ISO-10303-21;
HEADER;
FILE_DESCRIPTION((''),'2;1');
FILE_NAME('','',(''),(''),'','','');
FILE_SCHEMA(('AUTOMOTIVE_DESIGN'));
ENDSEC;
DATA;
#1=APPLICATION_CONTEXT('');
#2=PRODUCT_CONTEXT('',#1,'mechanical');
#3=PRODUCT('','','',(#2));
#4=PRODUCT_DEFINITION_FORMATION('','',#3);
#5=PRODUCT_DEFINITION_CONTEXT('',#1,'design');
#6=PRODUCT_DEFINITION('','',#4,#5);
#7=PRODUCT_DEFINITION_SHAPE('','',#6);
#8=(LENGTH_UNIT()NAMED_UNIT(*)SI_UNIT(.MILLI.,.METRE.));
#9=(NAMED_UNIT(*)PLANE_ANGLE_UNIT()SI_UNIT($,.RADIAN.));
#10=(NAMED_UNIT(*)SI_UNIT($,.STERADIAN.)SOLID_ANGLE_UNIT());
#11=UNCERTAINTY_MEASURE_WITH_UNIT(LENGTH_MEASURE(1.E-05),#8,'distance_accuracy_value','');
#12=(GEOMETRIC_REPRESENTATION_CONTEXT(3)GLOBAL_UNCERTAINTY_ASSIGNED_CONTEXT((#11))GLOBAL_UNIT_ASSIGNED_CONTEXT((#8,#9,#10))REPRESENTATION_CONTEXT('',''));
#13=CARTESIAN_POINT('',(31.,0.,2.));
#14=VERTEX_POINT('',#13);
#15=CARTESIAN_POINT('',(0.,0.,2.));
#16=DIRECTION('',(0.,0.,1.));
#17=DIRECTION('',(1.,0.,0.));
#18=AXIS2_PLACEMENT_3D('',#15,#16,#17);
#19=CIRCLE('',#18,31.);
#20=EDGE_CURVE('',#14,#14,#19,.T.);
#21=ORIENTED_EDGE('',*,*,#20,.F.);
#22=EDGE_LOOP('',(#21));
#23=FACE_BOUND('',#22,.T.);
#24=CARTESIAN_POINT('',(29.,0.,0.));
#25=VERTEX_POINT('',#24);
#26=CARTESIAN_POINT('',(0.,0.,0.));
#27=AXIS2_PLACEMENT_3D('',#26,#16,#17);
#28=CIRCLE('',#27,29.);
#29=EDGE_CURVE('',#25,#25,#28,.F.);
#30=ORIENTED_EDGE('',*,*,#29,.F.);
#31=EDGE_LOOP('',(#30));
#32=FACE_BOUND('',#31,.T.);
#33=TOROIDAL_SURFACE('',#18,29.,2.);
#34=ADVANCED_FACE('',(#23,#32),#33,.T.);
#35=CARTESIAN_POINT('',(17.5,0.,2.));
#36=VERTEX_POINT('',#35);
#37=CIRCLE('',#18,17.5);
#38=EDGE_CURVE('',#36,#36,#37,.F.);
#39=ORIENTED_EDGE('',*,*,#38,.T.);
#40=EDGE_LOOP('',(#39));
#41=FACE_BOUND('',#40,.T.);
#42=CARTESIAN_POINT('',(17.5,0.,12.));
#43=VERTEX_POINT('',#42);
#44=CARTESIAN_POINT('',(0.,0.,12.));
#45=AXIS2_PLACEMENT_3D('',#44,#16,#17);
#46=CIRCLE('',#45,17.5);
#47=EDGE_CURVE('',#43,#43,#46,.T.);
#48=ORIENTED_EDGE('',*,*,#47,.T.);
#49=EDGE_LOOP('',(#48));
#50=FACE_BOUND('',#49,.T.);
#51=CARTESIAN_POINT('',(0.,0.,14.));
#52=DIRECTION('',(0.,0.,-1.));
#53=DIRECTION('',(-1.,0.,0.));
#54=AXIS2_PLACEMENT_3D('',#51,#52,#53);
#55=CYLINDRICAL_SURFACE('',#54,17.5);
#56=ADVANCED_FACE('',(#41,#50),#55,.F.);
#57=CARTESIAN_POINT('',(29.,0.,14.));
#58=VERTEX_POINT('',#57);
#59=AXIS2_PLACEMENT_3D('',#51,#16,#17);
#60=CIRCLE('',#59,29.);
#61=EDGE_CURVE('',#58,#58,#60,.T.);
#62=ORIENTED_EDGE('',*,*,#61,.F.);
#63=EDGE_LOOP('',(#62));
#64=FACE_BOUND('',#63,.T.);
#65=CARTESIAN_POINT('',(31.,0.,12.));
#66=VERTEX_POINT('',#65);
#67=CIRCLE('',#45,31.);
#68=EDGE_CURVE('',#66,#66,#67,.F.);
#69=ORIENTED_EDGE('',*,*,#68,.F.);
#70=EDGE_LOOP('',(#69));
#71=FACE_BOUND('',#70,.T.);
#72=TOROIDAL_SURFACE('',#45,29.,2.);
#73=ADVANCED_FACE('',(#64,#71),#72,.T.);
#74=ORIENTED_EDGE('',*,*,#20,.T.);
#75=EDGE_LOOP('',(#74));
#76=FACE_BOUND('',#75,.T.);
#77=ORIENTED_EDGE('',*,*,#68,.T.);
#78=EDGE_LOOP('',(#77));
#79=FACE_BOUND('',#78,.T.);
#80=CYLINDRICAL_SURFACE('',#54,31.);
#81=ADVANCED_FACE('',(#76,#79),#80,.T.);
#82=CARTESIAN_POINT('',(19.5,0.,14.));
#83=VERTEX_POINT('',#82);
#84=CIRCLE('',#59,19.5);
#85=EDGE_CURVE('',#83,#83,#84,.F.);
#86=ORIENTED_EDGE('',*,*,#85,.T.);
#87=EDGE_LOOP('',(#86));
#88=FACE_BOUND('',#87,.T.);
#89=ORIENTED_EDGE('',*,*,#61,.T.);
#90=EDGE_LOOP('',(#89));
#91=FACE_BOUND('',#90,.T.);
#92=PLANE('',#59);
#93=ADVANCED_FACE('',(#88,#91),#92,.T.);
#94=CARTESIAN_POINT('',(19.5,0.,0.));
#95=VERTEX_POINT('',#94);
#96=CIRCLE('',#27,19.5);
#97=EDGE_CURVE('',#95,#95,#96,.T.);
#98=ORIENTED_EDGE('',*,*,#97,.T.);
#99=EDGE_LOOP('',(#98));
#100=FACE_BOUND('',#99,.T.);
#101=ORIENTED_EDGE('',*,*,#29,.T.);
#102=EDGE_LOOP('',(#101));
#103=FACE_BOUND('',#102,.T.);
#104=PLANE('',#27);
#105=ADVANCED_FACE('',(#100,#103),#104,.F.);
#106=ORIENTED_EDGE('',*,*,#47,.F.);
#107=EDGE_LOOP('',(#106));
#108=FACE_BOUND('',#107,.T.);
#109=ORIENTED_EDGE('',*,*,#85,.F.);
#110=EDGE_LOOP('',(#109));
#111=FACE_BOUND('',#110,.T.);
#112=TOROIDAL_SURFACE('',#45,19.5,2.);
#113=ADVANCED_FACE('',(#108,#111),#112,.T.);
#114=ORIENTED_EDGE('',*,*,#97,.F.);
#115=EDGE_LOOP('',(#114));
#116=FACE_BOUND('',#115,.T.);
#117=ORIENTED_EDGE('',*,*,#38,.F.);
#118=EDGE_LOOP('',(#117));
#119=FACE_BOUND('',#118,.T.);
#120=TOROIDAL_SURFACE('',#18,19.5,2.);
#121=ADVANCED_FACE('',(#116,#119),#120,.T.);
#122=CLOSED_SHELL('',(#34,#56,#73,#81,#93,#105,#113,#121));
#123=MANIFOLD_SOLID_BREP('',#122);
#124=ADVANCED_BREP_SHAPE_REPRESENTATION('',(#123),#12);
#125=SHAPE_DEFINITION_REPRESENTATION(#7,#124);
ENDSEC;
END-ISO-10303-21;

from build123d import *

# Parameters (mm, degrees)
SKETCH_1_R      = 31
SKETCH_1_R_2    = 17.5
EXTRUDE_1_DEPTH = 14
FILLET_2_R      = 2


with BuildPart() as part:
    # 草图1 → 凸台-拉伸1 (new body)
    with BuildSketch(Plane.XY):
        Circle(SKETCH_1_R)
        Circle(SKETCH_1_R_2, mode=Mode.SUBTRACT)
    extrude(amount=EXTRUDE_1_DEPTH)

    # 圆角2
    fillet_2_edges = [part.edges().sort_by_distance(p)[0] for p in [
        (-31, 0, 0),
        (-31, 0, 14),
        (-17.5, 0, 0),
        (-17.5, 0, 14),
    ]]
    fillet(fillet_2_edges, radius=FILLET_2_R)


solid = part.part
